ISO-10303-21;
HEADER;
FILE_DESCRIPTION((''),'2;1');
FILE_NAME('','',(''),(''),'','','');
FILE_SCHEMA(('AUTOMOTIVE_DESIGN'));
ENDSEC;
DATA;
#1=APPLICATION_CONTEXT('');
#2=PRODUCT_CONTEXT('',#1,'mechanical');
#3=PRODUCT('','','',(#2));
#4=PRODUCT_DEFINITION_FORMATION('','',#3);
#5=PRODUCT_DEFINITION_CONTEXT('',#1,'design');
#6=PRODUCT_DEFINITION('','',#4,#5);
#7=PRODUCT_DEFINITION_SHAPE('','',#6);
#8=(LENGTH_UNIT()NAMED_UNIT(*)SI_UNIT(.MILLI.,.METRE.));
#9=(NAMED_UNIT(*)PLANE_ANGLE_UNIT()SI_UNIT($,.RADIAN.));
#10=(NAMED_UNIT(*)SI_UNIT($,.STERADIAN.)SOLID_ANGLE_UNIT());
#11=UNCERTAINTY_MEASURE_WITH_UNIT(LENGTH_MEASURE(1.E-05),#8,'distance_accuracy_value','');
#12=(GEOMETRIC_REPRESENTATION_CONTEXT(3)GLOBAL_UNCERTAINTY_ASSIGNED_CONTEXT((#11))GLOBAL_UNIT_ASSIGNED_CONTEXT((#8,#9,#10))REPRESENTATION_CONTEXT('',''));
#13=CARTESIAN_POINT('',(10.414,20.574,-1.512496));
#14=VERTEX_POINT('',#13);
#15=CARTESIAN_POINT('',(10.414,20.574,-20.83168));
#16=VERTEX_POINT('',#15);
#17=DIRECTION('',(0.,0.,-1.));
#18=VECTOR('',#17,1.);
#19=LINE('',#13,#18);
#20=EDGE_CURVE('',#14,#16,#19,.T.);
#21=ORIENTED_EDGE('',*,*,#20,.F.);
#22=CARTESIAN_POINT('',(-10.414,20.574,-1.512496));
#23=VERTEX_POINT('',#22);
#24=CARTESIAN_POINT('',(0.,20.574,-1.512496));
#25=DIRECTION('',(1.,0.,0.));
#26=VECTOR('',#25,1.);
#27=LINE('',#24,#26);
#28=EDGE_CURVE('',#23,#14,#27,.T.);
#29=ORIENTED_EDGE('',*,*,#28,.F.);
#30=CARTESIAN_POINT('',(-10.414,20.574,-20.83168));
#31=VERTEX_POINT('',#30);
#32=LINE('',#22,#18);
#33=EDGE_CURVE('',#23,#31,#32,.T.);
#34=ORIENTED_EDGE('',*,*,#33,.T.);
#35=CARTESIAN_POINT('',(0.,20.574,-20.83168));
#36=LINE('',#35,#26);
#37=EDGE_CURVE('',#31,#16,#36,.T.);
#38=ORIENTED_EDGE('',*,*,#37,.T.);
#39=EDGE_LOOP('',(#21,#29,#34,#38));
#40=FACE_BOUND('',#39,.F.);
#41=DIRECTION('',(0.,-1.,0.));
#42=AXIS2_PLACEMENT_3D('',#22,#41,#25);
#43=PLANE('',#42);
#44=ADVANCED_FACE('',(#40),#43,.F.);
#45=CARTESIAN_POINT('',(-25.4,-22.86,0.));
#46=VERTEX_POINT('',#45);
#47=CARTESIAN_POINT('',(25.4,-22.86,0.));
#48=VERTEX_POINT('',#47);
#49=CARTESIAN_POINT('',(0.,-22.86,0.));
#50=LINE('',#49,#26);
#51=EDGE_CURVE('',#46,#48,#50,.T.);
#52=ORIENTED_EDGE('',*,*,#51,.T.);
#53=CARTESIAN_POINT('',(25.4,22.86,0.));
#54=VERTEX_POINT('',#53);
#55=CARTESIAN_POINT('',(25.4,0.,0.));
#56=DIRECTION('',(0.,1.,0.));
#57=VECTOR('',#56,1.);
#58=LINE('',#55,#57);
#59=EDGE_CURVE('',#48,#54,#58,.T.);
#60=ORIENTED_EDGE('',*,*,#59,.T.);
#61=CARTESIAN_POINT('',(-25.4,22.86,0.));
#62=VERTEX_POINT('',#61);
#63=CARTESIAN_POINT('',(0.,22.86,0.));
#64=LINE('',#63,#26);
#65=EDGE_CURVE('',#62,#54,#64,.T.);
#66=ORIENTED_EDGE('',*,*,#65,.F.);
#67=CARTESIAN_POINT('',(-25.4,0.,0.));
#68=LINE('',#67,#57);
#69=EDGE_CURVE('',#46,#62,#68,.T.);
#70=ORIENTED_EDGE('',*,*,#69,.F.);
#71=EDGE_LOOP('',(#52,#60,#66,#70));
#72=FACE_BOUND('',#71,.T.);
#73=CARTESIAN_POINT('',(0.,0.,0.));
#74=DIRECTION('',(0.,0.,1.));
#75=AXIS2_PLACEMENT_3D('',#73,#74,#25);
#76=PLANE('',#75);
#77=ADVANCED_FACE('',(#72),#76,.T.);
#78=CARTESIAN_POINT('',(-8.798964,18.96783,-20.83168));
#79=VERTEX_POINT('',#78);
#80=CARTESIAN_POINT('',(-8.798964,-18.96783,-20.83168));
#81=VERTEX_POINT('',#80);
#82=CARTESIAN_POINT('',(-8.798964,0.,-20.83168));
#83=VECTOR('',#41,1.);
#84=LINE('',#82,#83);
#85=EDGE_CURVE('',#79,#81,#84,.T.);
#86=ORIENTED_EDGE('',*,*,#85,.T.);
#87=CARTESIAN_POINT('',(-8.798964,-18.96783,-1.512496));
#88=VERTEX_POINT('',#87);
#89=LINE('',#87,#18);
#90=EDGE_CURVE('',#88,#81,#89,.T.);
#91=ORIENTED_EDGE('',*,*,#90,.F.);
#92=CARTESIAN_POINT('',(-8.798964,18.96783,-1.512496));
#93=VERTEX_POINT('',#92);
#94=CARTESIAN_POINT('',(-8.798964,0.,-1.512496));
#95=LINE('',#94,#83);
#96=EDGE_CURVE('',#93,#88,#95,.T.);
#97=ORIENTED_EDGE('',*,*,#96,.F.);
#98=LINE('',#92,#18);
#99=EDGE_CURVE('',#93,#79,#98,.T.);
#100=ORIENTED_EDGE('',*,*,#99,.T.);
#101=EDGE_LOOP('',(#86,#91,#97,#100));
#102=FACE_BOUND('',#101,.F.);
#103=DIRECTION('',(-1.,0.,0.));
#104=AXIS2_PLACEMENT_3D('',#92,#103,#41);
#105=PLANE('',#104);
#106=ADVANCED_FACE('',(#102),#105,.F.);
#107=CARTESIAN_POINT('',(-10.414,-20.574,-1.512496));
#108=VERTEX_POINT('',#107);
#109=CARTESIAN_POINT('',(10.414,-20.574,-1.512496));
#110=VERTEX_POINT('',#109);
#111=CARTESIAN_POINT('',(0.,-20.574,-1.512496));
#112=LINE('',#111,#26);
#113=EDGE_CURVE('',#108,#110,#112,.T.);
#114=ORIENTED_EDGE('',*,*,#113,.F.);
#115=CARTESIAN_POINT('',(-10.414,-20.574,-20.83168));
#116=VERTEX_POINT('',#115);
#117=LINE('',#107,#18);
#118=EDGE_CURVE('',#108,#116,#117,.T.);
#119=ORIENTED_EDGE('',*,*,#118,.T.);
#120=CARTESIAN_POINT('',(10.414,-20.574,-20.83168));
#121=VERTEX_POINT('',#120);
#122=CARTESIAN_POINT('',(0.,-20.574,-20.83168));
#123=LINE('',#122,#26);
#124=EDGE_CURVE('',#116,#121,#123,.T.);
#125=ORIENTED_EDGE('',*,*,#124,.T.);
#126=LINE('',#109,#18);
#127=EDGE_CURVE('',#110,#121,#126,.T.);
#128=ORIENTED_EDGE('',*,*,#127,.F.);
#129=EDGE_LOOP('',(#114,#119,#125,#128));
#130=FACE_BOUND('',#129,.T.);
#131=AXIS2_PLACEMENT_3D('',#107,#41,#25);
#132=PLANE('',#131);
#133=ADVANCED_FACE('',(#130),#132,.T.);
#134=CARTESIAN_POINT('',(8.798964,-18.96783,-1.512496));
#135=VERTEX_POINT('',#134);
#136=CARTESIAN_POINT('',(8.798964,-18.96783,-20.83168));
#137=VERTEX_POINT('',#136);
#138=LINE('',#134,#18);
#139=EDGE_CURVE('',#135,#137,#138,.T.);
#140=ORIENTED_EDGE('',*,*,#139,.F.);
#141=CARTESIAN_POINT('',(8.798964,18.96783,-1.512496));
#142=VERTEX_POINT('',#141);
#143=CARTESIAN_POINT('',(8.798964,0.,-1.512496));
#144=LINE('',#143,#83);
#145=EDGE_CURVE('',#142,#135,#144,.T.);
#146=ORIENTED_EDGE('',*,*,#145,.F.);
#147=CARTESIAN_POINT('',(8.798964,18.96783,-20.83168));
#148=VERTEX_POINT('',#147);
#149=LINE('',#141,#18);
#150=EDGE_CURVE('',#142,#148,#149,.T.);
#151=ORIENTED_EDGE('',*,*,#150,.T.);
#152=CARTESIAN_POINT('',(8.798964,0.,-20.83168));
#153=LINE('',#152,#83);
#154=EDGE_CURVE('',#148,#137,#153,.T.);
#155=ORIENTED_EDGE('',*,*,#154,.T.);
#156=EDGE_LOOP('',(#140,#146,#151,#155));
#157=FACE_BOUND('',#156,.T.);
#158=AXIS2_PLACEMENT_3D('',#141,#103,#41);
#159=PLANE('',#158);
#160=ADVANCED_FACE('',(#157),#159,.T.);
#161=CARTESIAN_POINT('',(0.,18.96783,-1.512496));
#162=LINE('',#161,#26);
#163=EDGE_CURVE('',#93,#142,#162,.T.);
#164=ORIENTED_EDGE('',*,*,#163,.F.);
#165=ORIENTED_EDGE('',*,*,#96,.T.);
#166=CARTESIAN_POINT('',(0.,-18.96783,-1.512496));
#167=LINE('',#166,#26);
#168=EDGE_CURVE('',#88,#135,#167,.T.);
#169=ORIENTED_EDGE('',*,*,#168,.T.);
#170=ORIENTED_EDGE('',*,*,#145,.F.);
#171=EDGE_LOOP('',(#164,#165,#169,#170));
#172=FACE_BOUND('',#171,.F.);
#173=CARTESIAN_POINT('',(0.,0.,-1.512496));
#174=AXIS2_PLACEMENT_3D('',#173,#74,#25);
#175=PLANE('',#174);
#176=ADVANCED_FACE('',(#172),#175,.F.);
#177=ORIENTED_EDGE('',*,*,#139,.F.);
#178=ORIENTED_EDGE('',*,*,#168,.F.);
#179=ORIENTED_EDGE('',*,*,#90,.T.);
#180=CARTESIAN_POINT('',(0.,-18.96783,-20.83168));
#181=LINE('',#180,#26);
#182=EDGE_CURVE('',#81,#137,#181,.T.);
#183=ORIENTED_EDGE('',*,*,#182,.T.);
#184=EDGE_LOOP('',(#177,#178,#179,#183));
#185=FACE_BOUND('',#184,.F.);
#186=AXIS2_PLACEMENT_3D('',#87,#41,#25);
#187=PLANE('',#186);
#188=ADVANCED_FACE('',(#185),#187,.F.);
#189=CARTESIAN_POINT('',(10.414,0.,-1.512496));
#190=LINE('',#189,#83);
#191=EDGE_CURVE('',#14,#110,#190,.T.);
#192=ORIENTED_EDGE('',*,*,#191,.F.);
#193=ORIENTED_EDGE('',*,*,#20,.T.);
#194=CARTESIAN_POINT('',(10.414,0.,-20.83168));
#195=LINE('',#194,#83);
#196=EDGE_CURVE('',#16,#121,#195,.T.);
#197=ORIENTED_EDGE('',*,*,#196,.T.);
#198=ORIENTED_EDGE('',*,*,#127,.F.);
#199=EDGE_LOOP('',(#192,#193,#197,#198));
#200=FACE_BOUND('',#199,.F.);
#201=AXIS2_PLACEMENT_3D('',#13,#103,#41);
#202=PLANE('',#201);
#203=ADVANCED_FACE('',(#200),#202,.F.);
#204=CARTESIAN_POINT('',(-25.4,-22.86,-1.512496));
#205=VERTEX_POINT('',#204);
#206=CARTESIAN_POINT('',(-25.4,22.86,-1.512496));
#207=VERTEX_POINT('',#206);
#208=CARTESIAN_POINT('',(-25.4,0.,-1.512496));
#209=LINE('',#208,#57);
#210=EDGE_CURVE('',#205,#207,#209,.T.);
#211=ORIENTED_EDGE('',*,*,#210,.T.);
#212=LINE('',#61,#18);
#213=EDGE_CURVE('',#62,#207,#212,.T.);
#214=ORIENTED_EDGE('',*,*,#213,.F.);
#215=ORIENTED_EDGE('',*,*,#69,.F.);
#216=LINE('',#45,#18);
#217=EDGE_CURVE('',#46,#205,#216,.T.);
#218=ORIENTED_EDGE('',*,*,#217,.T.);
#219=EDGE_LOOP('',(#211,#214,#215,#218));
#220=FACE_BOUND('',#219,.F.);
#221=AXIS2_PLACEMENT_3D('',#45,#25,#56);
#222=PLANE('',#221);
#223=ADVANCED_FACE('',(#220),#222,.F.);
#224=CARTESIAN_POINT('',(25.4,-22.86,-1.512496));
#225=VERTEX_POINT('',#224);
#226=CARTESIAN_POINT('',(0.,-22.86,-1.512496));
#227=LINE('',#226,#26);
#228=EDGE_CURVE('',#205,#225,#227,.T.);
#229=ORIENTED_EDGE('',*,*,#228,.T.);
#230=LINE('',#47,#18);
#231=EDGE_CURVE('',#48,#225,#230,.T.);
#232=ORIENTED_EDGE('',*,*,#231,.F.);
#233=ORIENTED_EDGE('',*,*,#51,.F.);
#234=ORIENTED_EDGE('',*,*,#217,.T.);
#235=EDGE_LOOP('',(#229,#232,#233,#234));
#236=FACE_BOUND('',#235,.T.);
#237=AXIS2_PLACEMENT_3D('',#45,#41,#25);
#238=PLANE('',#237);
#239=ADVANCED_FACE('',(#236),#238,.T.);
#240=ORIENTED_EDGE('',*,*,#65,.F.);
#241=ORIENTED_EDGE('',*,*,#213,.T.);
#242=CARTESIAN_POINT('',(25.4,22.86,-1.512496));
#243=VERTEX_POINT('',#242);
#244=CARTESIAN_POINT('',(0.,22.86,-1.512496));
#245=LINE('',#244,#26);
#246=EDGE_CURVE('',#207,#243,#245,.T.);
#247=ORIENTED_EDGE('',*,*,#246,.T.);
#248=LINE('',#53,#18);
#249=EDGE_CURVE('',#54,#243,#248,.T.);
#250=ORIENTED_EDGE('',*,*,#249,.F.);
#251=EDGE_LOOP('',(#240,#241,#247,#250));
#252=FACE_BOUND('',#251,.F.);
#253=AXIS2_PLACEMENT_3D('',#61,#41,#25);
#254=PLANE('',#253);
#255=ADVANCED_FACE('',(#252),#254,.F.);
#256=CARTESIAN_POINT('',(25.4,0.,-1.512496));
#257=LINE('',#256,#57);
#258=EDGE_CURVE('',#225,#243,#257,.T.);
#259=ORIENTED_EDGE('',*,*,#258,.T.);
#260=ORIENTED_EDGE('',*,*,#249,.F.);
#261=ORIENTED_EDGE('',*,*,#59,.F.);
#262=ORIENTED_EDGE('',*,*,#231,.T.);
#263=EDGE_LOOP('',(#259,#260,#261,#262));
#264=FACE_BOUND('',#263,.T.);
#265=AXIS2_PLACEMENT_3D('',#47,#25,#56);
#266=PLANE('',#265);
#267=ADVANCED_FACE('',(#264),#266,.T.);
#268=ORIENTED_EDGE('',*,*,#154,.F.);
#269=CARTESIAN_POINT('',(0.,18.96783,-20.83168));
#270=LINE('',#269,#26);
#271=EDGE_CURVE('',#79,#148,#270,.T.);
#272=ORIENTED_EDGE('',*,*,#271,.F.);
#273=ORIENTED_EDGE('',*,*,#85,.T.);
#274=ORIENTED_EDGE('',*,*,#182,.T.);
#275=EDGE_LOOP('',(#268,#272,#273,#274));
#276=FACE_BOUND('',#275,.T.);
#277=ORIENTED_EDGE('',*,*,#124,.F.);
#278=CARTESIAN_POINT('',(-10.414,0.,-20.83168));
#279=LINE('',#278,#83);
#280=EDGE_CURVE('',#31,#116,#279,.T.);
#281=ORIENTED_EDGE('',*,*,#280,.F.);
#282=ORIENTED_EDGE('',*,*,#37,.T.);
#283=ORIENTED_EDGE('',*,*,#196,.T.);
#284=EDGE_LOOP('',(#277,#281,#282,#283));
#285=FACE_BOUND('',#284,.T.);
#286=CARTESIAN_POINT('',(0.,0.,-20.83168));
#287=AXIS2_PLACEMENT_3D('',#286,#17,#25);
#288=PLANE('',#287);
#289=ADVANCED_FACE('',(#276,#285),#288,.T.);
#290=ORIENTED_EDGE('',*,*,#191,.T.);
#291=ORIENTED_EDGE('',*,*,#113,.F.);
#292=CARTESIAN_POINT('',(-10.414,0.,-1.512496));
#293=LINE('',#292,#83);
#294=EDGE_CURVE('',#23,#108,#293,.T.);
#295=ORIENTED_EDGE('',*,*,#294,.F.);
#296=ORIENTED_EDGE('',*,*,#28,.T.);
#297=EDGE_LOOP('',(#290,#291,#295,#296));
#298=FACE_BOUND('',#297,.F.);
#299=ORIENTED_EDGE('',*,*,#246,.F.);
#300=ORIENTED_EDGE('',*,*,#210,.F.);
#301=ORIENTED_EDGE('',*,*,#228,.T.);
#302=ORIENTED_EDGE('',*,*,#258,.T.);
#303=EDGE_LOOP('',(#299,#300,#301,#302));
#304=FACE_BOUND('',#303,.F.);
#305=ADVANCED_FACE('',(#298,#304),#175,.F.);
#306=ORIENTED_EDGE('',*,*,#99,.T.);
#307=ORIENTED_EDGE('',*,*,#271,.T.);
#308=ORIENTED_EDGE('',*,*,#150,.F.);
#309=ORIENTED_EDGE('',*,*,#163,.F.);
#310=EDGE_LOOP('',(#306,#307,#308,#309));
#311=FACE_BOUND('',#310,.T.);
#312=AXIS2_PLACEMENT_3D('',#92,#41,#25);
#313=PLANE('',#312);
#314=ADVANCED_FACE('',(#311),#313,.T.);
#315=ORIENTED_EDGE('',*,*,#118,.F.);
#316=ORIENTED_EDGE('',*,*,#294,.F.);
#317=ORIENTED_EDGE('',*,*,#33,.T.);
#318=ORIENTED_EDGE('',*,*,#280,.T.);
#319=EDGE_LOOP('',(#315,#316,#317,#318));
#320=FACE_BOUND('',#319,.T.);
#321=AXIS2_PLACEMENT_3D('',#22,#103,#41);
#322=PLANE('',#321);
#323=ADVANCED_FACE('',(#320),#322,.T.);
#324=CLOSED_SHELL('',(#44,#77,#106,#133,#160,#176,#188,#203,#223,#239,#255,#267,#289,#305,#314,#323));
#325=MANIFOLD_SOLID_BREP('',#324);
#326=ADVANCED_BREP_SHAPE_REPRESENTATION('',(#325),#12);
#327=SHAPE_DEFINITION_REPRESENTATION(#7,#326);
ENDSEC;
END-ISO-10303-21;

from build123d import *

# Parameters (mm, degrees)
F0_W     = 50.8
F0_H     = 45.72
F1_DEPTH = 1.512496
F2_W     = 20.828
F2_H     = 41.148
F2_W_2   = 17.597928
F2_H_2   = 37.93566
F3_DEPTH = 19.319184


with BuildPart() as f1:
    # F0 (on Top) → F1 (new body)
    with BuildSketch(Plane.XY):
        Rectangle(F0_W, F0_H)
    extrude(amount=-F1_DEPTH)

    # F2 (on face) → F3 (join)
    with BuildSketch(Plane(origin=(0, 0, -1.512496), x_dir=(1, 0, 0), z_dir=(0, 0, -1))):
        Rectangle(F2_W, F2_H)
        Rectangle(F2_W_2, F2_H_2, mode=Mode.SUBTRACT)
    extrude(amount=F3_DEPTH)


solid = f1.part
